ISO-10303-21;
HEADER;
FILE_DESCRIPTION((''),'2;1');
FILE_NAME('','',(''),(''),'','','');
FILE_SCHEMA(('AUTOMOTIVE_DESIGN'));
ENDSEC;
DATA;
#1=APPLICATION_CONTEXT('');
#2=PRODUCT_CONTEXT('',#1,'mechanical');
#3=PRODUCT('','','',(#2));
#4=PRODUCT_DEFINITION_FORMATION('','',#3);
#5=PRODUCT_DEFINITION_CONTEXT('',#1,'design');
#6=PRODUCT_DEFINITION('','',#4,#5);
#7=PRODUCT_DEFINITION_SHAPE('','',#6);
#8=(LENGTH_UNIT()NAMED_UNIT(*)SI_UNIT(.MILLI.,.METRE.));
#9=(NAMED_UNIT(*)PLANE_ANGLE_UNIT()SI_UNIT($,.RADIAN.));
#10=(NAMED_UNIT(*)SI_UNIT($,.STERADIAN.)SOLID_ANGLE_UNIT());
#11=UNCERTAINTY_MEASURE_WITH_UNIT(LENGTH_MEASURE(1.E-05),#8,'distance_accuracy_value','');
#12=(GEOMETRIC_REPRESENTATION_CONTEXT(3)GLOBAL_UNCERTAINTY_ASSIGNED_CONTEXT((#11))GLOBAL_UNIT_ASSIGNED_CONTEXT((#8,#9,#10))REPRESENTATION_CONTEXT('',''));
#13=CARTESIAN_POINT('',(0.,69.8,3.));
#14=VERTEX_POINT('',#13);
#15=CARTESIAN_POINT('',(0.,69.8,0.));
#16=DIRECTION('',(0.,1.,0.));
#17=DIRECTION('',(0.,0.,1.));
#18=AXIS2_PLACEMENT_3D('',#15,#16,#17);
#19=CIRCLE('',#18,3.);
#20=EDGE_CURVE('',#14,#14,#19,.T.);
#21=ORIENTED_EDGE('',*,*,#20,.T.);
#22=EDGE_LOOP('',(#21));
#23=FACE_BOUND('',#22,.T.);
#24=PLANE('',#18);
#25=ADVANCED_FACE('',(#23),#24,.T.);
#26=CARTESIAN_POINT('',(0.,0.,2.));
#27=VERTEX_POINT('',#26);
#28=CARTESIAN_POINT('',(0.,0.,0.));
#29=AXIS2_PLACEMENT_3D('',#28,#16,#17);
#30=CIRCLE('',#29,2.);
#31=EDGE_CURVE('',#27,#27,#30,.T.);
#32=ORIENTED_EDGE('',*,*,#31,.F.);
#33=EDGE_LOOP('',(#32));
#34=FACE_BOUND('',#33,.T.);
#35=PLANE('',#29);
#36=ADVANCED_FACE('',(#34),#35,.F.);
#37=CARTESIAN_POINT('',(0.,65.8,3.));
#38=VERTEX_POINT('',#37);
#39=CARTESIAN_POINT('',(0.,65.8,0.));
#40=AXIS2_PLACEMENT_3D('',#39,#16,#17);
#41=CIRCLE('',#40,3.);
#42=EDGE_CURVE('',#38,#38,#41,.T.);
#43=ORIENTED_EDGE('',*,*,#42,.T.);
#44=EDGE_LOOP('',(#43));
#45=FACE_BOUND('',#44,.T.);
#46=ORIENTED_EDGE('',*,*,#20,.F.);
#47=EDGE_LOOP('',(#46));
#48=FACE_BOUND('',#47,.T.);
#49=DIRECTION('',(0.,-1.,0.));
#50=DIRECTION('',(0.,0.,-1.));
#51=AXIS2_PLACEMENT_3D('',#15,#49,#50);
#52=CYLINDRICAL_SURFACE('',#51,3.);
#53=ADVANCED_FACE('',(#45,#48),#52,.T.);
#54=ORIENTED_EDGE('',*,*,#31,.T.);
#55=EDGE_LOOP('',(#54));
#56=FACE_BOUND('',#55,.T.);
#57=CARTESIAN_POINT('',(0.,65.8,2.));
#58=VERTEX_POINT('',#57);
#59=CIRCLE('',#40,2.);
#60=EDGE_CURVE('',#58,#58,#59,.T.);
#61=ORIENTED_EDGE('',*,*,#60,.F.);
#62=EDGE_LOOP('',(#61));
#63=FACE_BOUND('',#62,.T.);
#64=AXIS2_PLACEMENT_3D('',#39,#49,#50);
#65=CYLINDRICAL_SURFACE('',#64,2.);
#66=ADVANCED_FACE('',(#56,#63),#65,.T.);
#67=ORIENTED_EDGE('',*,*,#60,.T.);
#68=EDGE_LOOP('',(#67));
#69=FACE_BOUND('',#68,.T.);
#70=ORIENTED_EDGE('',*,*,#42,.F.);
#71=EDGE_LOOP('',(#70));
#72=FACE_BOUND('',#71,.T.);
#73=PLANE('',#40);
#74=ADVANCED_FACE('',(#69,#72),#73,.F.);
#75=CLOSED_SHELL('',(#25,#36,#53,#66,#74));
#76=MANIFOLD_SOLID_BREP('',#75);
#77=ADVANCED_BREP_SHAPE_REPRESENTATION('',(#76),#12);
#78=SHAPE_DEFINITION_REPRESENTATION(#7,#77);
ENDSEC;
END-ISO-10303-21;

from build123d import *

# Parameters (mm, degrees)
SKETCH_1_R      = 2
EXTRUDE_1_DEPTH = 65.8
SKETCH_2_R      = 3
EXTRUDE_2_DEPTH = 4


with BuildPart() as part:
    # 草图1 → 凸台-拉伸1 (new body)
    with BuildSketch(Plane(origin=(0, 0, 0), x_dir=(1, 0, 0), z_dir=(0, 1, 0))):
        with Locations(Location((0, 0, 0), (0, 0, 270))):
            Circle(SKETCH_1_R)
    extrude(amount=EXTRUDE_1_DEPTH)

    # 草图2 → 凸台-拉伸2 (add)
    with BuildSketch(Plane(origin=(0, 65.8, 0), x_dir=(1, 0, 0), z_dir=(0, 1, 0))):
        with Locations(Location((0, 0, 0), (0, 0, 270))):
            Circle(SKETCH_2_R)
    extrude(amount=EXTRUDE_2_DEPTH)


solid = part.part
